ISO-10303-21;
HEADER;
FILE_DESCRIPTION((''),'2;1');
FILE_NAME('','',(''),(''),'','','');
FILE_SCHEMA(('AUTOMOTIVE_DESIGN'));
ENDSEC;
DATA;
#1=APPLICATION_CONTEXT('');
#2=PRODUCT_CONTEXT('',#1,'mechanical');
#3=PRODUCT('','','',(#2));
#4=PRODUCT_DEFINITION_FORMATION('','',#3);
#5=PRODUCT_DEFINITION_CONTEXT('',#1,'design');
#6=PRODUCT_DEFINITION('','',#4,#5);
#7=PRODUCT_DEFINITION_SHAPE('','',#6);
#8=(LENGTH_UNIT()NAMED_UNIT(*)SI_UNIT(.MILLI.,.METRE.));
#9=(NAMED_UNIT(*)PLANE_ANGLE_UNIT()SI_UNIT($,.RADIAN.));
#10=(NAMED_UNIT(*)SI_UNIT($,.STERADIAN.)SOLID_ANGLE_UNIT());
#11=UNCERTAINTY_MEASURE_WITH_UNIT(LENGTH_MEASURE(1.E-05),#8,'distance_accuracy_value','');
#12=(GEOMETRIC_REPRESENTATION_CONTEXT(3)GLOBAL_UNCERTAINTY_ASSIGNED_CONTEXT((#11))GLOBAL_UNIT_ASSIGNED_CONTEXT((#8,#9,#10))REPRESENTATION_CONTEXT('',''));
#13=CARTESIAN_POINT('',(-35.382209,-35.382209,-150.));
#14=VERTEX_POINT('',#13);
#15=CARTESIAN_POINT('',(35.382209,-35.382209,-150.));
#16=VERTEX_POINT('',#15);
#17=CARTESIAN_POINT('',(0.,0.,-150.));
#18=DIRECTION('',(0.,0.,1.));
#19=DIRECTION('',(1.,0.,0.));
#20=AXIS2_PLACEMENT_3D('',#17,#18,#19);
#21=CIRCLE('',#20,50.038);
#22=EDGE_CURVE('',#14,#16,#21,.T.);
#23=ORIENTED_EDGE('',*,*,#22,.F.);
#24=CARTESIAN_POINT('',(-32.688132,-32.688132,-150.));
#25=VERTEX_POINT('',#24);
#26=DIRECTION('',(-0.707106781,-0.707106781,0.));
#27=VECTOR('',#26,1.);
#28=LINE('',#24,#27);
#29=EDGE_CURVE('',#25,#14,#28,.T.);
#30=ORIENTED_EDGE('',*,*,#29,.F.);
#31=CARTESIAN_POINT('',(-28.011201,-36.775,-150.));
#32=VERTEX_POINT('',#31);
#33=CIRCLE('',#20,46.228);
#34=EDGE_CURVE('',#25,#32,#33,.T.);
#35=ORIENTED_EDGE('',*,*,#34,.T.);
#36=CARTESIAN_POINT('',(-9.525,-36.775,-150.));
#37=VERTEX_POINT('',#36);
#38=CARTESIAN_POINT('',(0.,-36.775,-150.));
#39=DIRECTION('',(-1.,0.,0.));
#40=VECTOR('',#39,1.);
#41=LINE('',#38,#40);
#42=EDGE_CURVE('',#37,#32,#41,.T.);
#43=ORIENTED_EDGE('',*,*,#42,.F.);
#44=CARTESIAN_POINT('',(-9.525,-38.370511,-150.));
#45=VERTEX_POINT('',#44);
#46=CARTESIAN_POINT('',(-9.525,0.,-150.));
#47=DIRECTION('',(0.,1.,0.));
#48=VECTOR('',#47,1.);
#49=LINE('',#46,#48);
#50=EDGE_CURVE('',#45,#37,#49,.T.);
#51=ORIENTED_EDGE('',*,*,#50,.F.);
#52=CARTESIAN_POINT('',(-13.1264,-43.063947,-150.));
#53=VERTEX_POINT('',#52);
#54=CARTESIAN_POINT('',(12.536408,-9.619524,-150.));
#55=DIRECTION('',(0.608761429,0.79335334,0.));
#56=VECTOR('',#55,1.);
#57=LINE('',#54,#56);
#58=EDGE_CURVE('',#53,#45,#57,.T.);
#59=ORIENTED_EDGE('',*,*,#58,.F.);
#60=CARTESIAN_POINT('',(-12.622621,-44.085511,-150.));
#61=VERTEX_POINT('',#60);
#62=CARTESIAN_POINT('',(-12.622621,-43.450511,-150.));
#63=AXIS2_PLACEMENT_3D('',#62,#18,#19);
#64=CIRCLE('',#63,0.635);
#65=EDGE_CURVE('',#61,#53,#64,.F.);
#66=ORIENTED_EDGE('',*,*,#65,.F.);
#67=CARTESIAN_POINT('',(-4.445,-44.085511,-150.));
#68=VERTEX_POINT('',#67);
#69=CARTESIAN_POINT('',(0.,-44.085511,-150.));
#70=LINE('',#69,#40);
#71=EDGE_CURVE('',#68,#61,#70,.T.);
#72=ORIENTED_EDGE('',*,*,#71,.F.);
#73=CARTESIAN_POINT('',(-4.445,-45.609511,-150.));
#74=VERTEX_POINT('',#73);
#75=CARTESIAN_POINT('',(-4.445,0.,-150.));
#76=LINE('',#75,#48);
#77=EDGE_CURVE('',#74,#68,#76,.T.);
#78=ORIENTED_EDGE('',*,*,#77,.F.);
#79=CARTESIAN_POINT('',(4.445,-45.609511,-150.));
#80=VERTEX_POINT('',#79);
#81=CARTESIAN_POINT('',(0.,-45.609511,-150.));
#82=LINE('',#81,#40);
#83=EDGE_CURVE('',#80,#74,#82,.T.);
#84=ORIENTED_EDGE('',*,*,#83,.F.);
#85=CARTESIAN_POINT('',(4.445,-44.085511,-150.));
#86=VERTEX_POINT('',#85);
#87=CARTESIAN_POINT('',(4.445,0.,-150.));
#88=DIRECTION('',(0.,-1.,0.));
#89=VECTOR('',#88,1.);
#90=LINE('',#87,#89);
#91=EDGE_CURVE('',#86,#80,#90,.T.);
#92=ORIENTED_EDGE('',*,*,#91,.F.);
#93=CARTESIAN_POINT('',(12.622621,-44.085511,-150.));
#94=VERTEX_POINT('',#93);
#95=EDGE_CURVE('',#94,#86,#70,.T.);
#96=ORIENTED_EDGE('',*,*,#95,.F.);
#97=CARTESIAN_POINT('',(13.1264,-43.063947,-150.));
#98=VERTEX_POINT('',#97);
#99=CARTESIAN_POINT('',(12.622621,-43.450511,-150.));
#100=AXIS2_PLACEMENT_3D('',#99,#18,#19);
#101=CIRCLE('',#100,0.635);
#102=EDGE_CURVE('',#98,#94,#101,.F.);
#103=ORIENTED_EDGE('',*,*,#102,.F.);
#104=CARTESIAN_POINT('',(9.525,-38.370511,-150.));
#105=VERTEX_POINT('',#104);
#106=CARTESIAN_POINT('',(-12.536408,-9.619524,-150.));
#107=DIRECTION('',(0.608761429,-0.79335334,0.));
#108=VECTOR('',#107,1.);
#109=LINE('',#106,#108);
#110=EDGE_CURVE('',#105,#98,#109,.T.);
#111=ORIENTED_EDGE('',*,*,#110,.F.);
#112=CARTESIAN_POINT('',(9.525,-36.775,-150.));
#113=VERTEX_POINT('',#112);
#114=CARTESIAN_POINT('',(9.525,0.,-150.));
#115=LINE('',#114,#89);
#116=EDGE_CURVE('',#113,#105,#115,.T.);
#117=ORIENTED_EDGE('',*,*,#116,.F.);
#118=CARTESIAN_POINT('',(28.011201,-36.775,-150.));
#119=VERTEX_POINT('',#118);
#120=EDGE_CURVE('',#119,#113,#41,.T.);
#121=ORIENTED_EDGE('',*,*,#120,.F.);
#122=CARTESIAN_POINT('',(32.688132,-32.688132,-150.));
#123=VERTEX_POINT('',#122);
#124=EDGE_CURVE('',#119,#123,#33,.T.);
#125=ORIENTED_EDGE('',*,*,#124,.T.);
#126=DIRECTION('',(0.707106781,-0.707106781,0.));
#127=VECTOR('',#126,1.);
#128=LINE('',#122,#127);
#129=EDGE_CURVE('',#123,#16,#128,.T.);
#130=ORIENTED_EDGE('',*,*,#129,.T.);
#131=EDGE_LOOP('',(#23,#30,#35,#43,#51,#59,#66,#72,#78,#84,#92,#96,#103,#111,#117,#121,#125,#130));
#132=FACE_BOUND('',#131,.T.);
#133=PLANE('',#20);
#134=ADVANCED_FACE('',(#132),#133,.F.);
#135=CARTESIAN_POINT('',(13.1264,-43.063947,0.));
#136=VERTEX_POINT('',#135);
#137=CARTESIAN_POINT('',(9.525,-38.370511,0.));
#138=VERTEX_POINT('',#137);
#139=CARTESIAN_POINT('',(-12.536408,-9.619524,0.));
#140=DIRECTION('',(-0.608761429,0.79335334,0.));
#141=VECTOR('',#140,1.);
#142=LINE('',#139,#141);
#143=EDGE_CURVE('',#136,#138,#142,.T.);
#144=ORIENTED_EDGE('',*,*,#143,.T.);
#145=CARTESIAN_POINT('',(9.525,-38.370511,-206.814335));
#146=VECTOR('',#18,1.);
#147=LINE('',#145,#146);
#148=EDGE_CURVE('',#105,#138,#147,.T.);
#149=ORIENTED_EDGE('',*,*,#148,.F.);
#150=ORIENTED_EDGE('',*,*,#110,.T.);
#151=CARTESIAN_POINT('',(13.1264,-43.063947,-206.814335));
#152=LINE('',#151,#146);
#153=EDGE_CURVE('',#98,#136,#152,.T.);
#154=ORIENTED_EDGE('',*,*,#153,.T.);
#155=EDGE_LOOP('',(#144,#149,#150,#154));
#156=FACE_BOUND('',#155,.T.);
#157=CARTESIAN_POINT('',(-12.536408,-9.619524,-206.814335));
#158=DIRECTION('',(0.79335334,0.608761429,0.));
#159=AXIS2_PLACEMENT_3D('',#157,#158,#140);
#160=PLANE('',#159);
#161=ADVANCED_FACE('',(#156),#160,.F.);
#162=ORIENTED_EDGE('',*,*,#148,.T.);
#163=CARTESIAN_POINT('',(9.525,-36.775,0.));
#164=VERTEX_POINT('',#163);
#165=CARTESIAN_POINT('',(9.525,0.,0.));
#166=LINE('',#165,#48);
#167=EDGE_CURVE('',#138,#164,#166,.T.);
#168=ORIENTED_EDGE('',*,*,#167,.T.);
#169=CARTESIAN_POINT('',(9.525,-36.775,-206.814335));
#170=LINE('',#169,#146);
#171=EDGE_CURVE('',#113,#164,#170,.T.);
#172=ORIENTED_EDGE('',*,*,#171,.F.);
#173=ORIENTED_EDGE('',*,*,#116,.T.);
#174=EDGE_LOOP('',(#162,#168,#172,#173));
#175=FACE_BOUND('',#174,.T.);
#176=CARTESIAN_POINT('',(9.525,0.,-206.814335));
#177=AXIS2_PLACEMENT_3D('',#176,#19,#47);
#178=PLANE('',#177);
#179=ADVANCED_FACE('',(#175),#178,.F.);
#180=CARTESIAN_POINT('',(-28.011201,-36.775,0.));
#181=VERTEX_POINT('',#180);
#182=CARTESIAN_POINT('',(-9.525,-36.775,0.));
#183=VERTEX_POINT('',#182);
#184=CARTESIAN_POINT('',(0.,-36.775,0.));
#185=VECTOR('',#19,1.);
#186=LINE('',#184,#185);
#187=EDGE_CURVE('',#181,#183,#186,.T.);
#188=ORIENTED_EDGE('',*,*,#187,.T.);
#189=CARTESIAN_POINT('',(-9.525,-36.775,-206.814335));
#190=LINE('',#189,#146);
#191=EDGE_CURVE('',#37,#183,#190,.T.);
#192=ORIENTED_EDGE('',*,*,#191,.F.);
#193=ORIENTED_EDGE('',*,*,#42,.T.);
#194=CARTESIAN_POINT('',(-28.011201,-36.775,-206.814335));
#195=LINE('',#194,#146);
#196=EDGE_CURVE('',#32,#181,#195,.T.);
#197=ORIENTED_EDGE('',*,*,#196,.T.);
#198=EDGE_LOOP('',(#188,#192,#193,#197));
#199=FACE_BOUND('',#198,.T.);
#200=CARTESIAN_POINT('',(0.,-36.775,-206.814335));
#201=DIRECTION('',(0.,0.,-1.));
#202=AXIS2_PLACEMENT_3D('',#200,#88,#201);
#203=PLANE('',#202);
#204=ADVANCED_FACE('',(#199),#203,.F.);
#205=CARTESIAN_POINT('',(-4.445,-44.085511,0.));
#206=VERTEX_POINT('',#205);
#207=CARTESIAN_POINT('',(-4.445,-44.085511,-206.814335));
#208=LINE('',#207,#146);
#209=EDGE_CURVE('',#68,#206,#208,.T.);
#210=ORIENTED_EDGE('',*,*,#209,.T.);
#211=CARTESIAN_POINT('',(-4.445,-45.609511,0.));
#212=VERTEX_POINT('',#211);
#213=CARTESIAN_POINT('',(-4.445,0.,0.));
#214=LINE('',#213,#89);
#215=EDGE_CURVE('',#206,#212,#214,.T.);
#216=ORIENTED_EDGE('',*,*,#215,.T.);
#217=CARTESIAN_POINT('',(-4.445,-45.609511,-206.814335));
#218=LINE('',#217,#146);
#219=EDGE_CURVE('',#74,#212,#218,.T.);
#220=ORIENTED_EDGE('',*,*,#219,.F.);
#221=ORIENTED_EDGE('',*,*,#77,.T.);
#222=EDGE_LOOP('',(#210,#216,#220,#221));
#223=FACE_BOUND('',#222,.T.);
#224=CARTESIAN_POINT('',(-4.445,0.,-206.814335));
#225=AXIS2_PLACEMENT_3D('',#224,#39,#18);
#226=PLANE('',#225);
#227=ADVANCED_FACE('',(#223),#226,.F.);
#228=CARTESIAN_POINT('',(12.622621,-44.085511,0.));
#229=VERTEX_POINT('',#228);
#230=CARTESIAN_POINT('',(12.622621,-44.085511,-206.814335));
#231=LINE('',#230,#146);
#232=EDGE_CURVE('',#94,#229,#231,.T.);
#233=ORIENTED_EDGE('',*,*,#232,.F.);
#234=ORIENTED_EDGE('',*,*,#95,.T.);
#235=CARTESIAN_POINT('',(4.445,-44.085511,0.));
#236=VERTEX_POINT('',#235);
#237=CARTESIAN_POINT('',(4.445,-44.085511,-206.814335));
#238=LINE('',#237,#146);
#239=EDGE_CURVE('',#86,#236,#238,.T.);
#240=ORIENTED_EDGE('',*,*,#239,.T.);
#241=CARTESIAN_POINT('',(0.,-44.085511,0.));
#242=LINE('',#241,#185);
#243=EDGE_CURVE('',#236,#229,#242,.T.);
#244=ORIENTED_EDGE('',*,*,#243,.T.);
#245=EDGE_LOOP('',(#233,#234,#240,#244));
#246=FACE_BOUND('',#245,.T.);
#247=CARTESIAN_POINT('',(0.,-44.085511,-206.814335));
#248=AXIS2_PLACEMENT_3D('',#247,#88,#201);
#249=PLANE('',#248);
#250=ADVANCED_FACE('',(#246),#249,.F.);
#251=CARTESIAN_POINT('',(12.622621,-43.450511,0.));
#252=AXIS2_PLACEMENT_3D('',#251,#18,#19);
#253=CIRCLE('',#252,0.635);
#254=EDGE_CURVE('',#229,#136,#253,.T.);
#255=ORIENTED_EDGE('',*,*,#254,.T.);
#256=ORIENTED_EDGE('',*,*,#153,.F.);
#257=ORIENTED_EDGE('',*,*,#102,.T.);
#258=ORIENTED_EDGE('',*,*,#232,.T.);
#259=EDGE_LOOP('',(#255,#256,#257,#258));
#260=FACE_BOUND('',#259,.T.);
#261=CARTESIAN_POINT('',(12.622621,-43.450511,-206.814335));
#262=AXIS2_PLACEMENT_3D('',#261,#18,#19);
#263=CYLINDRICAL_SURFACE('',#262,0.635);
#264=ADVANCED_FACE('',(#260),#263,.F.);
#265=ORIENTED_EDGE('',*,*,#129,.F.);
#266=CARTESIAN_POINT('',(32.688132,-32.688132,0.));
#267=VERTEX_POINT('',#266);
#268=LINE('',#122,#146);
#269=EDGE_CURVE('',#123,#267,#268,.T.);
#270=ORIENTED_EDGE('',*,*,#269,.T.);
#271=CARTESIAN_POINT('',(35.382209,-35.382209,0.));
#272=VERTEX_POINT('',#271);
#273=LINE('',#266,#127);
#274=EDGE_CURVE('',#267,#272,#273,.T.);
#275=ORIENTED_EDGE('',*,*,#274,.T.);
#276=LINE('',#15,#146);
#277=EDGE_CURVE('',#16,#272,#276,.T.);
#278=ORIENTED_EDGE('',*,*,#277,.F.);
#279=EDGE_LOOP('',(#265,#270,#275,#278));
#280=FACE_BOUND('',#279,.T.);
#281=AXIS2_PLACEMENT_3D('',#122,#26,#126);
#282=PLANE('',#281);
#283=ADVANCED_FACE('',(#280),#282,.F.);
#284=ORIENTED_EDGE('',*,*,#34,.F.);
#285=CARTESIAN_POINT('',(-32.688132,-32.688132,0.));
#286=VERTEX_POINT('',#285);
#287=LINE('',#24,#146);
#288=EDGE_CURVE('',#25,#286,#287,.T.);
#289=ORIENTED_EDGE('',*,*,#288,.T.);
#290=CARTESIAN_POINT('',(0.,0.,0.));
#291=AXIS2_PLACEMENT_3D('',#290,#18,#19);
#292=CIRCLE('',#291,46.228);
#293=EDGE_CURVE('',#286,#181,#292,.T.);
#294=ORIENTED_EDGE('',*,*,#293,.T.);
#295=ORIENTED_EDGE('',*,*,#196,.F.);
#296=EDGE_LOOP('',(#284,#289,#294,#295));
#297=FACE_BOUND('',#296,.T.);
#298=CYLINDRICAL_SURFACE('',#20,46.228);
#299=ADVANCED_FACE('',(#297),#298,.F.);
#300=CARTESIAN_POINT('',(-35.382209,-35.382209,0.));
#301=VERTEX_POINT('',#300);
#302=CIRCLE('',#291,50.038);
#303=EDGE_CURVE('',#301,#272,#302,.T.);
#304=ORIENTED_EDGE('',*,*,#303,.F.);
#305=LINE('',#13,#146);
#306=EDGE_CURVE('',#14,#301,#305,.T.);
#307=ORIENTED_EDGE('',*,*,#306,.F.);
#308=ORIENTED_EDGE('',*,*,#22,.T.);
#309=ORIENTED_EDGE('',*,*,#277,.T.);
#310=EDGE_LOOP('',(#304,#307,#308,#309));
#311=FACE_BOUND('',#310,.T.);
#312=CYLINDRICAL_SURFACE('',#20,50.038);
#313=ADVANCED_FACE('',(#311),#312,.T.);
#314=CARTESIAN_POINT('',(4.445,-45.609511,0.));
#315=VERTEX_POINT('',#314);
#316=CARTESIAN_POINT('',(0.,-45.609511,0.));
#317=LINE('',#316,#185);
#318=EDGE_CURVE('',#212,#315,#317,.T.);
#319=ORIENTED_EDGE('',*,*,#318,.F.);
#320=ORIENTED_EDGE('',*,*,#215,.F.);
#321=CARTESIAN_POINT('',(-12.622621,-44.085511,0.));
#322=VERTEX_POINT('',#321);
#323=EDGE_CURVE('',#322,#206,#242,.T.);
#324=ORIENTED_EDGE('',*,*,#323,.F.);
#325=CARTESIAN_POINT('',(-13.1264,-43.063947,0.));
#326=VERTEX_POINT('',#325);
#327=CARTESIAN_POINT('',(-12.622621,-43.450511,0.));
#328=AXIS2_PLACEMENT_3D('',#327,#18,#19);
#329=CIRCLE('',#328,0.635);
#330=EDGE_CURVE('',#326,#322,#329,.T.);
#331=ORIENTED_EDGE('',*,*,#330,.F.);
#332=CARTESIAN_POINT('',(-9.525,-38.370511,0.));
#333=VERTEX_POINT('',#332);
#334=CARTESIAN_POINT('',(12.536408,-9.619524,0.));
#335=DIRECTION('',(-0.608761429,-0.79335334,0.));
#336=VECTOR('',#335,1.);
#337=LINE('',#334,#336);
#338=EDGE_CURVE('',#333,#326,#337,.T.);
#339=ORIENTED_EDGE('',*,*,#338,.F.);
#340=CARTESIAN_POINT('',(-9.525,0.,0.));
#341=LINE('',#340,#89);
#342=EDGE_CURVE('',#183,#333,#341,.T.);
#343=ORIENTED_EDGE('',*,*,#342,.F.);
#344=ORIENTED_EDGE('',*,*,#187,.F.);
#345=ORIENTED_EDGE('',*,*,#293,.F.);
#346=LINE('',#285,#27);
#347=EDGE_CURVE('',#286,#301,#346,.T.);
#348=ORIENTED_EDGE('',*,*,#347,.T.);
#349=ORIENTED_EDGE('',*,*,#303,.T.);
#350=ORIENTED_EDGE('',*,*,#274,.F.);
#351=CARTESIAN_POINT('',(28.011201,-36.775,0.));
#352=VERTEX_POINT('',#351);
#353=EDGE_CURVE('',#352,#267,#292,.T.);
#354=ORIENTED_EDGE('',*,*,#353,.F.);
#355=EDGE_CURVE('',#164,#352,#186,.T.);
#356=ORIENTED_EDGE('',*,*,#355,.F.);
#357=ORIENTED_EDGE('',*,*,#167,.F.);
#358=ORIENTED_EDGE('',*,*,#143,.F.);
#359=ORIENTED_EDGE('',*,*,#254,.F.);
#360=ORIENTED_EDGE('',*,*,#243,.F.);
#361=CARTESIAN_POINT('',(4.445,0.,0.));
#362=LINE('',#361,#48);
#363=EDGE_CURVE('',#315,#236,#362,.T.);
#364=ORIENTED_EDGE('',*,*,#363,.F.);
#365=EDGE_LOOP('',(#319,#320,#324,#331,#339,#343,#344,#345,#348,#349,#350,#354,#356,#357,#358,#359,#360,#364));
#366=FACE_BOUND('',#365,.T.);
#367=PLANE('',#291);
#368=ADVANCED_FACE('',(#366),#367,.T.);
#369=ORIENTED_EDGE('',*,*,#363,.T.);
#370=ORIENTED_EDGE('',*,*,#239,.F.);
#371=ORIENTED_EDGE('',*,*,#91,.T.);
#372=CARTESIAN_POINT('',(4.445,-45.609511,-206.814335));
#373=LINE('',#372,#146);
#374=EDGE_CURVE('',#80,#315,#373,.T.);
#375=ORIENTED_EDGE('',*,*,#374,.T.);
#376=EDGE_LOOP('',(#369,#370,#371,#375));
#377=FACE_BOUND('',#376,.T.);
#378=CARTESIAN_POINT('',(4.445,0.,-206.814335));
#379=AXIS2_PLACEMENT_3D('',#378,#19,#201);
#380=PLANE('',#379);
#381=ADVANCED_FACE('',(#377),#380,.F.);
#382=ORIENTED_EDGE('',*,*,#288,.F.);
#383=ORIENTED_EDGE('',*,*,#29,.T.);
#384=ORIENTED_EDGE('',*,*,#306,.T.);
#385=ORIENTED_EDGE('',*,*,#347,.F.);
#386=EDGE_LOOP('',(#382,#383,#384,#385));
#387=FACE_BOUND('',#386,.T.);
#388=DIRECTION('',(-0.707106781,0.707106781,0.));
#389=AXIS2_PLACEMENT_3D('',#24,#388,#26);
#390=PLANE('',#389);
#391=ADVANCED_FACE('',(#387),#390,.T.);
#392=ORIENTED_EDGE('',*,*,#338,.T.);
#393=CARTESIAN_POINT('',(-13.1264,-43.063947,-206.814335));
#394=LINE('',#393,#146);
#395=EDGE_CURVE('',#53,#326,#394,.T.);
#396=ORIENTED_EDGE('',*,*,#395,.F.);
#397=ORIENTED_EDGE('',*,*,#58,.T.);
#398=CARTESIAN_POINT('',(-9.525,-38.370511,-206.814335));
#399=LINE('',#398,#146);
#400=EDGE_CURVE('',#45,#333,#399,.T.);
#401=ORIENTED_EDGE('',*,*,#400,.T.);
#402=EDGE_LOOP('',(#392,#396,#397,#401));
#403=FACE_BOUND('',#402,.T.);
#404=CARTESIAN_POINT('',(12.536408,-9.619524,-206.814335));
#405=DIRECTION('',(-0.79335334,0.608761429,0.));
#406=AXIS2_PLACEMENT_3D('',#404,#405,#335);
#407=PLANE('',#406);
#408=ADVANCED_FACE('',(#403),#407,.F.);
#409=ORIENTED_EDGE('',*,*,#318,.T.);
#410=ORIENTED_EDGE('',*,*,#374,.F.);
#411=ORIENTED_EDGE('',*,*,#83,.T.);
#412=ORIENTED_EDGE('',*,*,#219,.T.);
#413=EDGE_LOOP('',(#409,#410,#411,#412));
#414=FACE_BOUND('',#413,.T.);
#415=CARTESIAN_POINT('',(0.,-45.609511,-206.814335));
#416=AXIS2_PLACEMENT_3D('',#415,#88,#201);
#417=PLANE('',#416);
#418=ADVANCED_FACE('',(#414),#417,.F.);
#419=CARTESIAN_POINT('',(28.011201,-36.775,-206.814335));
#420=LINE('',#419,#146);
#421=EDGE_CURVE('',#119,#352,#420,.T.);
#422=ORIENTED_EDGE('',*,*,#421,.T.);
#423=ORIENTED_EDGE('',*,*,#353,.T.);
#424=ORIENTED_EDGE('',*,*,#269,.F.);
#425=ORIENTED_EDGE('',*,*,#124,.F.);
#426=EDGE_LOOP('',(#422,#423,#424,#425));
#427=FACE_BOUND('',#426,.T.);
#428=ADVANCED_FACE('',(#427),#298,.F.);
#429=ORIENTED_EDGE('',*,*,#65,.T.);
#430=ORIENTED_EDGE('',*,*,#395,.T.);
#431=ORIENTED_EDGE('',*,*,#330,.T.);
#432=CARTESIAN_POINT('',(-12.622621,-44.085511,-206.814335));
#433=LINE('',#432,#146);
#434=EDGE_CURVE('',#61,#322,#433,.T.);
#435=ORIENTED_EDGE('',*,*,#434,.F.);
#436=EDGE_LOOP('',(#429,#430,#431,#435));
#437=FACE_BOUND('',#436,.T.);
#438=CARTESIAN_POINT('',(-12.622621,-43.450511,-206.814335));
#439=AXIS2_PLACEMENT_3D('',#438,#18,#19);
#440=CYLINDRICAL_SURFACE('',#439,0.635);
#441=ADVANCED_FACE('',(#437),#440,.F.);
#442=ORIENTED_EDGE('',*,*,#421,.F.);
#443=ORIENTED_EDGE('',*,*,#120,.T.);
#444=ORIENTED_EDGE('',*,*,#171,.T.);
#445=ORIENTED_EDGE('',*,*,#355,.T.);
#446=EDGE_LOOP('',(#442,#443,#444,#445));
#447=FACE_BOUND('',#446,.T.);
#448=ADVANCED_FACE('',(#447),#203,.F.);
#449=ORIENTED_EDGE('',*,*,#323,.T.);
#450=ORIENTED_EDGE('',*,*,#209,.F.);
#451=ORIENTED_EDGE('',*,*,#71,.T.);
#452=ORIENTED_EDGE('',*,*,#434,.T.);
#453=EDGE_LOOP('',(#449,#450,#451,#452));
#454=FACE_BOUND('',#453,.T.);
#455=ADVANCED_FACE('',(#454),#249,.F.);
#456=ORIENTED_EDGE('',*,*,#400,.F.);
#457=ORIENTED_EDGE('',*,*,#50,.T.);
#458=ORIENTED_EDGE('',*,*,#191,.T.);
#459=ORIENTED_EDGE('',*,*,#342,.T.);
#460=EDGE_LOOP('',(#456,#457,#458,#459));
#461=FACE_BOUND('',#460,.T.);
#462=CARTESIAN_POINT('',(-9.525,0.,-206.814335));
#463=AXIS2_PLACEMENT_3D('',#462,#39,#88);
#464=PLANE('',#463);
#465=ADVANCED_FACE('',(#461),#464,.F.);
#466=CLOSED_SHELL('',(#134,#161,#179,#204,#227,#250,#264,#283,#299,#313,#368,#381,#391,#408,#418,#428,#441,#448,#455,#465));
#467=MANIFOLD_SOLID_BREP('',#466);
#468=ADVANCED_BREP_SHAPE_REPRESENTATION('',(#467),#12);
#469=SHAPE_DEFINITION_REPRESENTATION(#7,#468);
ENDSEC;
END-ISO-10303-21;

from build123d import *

# Parameters (mm, degrees)
BOSS_EXTRUDE1_DEPTH = 150
BOSS_EXTRUDE2_DEPTH = 150


with BuildPart() as part:
    # Sketch1 → Boss-Extrude1 (new body)
    with BuildSketch(Plane.XY):
        with BuildLine():
            Line((32.688132281, -32.688132281), (35.382209117, -35.382209117))
            ThreePointArc((35.382209117, -35.382209117), (0, -50.038), (-35.382209117, -35.382209117))
            Line((-35.382209117, -35.382209117), (-32.688132281, -32.688132281))
            ThreePointArc((-32.688132281, -32.688132281), (0, -46.228), (32.688132281, -32.688132281))
        make_face()
    extrude(amount=-BOSS_EXTRUDE1_DEPTH)

    # Sketch2 → Boss-Extrude2 (add)
    with BuildSketch(Plane.XY):
        with BuildLine():
            Line((-9.525, -36.775), (-28.011200599, -36.775))
            ThreePointArc((-28.011200599, -36.775), (-14.781631913, -43.801042704), (0, -46.228))
            Line((0, -46.228), (0, -45.609510869))
            Line((0, -45.609510869), (-4.445, -45.609510869))
            Line((-4.445, -45.609510869), (-4.445, -44.085510869))
            Line((-4.445, -44.085510869), (-12.622621116, -44.085510869))
            ThreePointArc((-12.622621116, -44.085510869), (-13.192135307, -43.731364187), (-13.126400487, -43.063947362))
            Line((-13.126400487, -43.063947362), (-9.525, -38.370510869))
            Line((-9.525, -38.370510869), (-9.525, -36.775))
        make_face()
        with BuildLine():
            Line((0, -45.609510869), (0, -46.228))
            ThreePointArc((0, -46.228), (14.781631913, -43.801042704), (28.011200599, -36.775))
            Line((28.011200599, -36.775), (9.525, -36.775))
            Line((9.525, -36.775), (9.525, -38.370510869))
            Line((9.525, -38.370510869), (13.126400487, -43.063947362))
            ThreePointArc((13.126400487, -43.063947362), (13.192135307, -43.731364187), (12.622621116, -44.085510869))
            Line((12.622621116, -44.085510869), (4.445, -44.085510869))
            Line((4.445, -44.085510869), (4.445, -45.609510869))
            Line((4.445, -45.609510869), (0, -45.609510869))
        make_face()
    extrude(amount=-BOSS_EXTRUDE2_DEPTH)


solid = part.part
